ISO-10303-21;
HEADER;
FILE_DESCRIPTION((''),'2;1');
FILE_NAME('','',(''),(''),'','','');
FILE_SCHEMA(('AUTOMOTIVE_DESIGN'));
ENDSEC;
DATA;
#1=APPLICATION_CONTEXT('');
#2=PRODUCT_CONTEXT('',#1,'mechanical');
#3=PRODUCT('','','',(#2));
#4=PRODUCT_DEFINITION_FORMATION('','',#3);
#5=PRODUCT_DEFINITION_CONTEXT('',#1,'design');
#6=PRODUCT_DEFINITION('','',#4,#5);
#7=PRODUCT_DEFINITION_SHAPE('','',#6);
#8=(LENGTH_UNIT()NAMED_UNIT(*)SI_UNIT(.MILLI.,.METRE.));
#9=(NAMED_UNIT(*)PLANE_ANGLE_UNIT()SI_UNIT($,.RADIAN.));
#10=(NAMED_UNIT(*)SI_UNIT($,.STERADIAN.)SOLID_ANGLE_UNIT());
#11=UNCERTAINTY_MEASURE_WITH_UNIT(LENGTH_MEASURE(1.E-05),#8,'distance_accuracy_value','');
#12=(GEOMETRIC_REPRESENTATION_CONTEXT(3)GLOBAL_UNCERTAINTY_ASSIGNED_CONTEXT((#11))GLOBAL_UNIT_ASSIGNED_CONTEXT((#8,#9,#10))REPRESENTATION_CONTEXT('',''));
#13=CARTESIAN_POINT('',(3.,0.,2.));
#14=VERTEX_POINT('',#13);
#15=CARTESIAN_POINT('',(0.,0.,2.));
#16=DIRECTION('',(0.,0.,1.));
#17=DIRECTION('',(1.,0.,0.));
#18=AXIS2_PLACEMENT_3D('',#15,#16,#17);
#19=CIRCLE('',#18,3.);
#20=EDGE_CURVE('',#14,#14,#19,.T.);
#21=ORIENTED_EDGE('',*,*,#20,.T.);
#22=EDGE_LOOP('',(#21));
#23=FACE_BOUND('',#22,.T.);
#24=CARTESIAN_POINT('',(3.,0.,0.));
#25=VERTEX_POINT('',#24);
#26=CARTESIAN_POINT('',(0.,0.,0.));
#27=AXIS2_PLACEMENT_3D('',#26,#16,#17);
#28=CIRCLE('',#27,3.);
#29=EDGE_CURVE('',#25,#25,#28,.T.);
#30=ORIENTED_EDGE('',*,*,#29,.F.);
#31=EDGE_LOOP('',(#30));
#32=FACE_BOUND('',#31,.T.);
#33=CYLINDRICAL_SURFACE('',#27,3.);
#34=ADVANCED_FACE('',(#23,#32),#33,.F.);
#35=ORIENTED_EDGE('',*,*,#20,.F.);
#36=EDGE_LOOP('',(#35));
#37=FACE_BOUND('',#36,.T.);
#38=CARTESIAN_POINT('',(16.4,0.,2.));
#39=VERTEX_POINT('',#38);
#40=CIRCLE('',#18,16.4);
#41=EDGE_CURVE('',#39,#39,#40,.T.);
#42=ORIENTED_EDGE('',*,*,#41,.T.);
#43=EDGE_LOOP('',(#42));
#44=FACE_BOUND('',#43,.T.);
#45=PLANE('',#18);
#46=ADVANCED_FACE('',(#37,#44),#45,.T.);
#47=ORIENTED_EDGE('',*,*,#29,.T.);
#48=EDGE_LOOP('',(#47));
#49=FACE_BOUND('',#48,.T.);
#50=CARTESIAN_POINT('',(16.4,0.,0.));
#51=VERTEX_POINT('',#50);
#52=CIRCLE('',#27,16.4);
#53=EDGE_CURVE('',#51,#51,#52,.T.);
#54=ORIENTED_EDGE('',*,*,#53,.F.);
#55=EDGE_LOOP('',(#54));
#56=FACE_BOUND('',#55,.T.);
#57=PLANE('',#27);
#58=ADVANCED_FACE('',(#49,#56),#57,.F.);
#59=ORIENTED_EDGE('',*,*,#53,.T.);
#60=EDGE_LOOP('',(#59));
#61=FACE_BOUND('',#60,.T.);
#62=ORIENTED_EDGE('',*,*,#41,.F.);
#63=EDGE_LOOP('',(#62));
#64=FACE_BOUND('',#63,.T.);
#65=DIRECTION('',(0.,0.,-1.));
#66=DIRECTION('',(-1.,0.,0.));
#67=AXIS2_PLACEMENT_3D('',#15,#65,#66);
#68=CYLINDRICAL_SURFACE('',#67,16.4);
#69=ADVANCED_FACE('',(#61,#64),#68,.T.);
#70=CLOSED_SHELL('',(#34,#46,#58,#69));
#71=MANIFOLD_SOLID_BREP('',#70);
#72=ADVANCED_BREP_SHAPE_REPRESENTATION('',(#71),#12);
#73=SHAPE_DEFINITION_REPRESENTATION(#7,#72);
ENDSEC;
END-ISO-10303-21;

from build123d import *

# Parameters (mm, degrees)
ESQUISSE1_R             = 16.4
BOSS_EXTRU_1_DEPTH      = 2
ESQUISSE3_R             = 3
ENL_V_MAT_EXTRU_1_DEPTH = 3


with BuildPart() as part:
    # Esquisse1 → Boss.-Extru.1 (new body)
    with BuildSketch(Plane.XY):
        Circle(ESQUISSE1_R)
    extrude(amount=BOSS_EXTRU_1_DEPTH)

    # Esquisse3 → Enlèv. mat.-Extru.1 (cut, through all)
    with BuildSketch(Plane.XY.offset(2)):
        Circle(ESQUISSE3_R)
    extrude(amount=-ENL_V_MAT_EXTRU_1_DEPTH, mode=Mode.SUBTRACT)


solid = part.part
